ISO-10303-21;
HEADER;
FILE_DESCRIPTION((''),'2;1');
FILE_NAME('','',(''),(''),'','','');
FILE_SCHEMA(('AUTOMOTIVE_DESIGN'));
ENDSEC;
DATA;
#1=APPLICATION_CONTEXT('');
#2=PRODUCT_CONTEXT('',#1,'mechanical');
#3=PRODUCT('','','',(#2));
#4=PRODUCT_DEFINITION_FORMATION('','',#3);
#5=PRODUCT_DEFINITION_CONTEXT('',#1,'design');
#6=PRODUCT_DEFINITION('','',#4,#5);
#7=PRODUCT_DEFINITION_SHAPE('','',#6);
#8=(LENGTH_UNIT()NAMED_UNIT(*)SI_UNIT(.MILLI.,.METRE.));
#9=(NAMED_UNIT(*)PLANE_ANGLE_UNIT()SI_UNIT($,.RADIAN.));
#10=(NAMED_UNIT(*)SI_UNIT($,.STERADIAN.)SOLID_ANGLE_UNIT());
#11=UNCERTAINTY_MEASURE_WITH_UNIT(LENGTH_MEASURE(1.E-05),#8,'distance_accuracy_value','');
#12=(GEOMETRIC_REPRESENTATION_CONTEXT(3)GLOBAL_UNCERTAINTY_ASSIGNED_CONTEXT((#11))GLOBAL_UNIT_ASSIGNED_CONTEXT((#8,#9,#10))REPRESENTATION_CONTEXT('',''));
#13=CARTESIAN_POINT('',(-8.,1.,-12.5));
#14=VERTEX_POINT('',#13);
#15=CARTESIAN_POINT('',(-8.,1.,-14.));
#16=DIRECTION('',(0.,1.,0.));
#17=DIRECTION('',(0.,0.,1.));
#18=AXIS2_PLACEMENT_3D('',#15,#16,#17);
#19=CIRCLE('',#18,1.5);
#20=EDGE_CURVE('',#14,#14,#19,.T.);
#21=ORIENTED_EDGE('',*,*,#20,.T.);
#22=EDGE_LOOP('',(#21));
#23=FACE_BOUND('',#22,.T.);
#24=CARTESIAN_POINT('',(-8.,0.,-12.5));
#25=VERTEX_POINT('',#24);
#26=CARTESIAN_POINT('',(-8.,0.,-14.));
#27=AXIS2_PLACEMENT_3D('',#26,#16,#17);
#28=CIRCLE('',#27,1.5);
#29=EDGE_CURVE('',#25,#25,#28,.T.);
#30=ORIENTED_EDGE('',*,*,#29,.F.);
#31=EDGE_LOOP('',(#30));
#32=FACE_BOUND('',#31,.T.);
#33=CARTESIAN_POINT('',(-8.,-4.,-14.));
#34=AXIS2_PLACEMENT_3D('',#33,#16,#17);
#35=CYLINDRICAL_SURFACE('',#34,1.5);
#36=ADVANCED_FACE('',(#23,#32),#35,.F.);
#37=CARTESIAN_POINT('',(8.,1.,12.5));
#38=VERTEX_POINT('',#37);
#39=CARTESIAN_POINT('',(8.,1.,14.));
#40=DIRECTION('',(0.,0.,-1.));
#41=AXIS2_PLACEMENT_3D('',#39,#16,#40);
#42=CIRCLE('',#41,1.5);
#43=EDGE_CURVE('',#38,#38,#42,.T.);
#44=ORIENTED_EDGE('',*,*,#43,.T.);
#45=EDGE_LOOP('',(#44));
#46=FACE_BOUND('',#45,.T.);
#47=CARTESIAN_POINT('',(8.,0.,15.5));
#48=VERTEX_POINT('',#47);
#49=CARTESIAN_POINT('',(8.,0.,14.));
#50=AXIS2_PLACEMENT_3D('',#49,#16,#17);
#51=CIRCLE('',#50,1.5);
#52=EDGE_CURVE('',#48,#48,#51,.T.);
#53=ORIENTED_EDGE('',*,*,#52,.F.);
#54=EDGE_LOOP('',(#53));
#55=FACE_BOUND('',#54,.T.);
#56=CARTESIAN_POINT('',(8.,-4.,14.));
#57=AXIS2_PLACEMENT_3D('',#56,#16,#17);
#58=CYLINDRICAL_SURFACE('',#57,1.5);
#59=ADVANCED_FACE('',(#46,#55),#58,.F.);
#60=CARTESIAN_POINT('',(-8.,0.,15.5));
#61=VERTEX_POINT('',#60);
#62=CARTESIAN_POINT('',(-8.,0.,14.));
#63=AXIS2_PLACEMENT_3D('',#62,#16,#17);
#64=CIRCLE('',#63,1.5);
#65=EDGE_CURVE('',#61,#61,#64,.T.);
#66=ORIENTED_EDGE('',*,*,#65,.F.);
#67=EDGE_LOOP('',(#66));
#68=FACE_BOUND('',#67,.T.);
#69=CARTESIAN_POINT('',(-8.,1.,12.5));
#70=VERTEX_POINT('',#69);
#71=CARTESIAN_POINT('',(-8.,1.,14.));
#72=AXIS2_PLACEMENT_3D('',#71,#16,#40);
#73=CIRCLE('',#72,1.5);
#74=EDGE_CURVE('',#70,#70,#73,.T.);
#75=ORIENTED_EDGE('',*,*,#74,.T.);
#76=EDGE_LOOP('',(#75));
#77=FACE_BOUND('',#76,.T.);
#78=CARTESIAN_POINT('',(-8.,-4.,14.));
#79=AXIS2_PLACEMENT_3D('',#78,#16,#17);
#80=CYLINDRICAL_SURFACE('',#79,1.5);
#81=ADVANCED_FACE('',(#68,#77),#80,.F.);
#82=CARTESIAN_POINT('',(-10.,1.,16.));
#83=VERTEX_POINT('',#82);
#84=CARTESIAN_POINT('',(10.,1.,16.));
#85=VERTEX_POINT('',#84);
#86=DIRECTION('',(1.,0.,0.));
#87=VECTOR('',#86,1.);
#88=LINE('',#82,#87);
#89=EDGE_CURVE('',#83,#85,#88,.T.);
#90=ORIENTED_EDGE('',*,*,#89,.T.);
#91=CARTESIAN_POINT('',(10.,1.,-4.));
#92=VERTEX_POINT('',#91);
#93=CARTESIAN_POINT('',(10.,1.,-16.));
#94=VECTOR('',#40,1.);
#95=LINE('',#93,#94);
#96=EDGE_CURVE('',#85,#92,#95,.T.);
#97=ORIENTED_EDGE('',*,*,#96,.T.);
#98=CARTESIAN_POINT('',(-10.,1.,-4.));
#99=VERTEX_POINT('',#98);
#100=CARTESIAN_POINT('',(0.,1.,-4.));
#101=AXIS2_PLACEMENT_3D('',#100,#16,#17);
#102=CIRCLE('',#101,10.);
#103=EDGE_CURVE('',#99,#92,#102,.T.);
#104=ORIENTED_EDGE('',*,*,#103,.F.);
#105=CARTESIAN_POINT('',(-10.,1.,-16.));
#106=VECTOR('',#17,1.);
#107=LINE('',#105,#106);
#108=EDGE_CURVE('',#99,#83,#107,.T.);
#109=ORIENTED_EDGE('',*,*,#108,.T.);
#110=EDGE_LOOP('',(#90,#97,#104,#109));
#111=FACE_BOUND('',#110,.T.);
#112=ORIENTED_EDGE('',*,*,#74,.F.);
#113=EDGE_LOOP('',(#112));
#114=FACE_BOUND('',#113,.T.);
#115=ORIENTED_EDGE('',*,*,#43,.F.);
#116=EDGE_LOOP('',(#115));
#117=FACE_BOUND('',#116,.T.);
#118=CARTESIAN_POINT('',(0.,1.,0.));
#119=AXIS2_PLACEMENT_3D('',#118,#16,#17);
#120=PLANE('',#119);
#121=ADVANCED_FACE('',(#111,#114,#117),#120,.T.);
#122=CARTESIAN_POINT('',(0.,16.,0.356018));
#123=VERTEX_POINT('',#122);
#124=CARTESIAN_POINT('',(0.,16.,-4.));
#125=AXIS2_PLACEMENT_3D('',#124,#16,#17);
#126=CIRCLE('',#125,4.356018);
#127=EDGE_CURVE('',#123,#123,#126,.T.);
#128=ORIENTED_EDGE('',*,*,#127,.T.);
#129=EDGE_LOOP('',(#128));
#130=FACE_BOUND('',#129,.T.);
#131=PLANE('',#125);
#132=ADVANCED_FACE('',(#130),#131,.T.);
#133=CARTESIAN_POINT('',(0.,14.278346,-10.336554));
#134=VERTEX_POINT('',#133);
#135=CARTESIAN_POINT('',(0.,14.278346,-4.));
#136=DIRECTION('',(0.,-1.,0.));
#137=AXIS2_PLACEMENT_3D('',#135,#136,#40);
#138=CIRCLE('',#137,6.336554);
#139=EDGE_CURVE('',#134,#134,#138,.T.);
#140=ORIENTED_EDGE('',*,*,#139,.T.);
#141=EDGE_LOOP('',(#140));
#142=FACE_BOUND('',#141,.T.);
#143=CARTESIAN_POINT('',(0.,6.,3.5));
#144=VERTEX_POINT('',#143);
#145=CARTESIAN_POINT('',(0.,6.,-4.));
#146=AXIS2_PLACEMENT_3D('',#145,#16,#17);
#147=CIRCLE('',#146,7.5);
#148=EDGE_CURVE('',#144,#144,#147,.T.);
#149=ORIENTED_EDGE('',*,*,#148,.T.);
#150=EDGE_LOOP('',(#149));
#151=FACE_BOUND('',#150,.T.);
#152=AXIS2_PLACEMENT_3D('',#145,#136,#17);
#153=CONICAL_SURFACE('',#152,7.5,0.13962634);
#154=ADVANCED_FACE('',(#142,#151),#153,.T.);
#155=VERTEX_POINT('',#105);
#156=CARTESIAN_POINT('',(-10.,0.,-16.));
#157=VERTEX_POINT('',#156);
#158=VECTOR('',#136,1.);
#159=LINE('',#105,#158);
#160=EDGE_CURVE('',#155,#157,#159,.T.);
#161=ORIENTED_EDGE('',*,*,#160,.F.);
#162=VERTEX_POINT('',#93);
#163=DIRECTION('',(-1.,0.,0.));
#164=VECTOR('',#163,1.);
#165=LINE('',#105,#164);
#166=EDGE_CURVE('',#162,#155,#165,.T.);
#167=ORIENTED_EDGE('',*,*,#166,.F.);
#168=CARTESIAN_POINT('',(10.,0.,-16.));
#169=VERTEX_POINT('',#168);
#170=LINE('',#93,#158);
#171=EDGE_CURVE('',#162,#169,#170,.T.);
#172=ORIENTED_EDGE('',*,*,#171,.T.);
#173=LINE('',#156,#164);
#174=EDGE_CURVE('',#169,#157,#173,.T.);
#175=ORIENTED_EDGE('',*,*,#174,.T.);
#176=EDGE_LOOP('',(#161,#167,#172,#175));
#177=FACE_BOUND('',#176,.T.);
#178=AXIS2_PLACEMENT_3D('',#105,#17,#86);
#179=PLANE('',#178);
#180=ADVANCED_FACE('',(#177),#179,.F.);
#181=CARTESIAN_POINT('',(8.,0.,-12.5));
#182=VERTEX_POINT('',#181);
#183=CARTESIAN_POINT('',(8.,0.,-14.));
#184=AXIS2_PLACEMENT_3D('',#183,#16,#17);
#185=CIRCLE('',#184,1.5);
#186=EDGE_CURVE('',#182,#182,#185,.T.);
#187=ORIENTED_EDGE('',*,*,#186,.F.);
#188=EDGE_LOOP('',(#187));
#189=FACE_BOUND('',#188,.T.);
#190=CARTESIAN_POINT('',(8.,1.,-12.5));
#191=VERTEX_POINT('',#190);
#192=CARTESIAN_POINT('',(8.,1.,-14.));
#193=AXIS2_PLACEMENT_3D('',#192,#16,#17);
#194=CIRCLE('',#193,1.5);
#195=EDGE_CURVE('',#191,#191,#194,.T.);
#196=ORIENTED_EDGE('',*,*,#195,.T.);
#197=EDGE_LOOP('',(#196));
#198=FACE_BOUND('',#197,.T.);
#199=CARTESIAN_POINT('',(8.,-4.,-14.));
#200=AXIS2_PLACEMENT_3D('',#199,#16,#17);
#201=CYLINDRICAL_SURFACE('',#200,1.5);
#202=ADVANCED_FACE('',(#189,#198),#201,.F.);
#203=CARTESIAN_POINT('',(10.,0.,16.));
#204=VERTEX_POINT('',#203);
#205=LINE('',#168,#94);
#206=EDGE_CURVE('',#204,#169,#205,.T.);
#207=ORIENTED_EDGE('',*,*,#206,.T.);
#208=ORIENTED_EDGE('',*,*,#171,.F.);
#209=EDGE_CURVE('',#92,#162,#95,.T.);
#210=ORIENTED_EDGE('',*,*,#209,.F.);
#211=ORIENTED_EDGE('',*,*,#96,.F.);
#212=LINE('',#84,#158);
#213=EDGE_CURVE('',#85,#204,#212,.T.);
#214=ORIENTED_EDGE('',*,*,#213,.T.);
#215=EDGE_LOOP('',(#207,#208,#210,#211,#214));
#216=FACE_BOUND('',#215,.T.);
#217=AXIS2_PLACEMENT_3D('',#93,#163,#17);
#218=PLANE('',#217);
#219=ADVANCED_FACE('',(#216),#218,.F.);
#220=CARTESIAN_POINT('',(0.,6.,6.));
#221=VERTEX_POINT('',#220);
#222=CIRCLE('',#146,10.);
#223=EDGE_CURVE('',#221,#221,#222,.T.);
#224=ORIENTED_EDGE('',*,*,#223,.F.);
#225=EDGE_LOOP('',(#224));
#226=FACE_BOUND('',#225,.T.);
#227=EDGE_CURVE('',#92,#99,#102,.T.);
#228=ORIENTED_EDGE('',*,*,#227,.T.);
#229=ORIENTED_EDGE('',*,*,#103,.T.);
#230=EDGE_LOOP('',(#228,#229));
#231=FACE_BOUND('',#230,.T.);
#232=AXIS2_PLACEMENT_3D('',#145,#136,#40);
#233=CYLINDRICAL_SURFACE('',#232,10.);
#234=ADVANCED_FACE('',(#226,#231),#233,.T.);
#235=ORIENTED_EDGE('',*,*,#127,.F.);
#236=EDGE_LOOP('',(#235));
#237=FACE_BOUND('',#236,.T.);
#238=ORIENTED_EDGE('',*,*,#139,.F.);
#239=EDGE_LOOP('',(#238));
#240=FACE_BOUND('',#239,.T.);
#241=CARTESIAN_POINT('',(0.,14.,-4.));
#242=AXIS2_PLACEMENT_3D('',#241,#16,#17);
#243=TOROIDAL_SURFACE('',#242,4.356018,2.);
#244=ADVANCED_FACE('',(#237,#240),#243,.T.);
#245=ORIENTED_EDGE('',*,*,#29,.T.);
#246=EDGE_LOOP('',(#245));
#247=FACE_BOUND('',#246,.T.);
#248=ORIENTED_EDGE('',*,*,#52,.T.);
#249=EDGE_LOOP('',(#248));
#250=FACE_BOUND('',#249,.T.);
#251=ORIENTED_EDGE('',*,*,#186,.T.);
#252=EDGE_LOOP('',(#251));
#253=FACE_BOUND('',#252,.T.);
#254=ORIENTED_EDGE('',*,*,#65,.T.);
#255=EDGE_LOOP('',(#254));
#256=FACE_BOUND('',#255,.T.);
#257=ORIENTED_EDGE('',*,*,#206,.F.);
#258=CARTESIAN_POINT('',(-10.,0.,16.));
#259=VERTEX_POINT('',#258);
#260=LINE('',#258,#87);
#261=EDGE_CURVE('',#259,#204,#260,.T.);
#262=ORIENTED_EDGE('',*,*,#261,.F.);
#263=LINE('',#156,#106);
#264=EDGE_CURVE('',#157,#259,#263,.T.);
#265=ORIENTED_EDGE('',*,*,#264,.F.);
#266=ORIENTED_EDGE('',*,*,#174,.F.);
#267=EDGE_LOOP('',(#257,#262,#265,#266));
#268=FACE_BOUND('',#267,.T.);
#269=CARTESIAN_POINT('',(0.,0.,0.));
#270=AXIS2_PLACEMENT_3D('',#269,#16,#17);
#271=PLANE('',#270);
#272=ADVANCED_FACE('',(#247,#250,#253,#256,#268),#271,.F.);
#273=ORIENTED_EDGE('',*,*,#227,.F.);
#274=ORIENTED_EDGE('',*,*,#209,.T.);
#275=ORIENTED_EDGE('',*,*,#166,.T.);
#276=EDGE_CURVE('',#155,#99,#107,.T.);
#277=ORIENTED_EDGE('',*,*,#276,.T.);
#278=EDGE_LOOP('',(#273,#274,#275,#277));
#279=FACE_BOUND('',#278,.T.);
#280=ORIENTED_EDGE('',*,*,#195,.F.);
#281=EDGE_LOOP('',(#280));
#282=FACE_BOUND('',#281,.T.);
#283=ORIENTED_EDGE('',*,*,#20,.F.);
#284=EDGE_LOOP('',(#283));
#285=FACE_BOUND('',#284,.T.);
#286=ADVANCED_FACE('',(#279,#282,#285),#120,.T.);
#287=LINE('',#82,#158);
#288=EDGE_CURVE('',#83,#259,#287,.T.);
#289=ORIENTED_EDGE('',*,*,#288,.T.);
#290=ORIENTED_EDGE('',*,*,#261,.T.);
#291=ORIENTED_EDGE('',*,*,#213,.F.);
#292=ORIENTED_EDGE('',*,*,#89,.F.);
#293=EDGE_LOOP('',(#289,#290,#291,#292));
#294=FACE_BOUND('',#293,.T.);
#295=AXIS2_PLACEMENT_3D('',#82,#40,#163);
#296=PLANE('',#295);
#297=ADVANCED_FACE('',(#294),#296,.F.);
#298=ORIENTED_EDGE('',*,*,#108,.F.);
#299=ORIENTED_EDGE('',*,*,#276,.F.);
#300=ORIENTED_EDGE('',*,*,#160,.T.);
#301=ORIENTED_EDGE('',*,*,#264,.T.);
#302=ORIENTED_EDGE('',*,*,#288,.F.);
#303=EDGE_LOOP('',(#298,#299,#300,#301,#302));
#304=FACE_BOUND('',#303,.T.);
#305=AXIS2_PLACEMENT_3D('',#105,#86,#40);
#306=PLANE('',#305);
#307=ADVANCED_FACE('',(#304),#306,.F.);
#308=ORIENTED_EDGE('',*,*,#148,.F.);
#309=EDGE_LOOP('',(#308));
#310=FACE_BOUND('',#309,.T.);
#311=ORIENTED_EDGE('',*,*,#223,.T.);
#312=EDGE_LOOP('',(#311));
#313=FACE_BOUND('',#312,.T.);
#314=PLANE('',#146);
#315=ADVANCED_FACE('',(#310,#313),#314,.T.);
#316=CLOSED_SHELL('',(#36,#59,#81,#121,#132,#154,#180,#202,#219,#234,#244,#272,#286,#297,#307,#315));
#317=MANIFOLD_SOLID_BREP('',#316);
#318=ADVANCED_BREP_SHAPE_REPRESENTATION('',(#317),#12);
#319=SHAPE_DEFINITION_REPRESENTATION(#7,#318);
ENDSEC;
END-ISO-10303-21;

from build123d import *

# Parameters (mm, degrees)
SKETCH1_W           = 20
SKETCH1_H           = 32
BOSS_EXTRUDE1_DEPTH = 1
SKETCH2_R           = 10
BOSS_EXTRUDE2_DEPTH = 5
SKETCH3_R           = 1.5
CUT_EXTRUDE1_DEPTH  = 5
SKETCH4_R           = 7.5
BOSS_EXTRUDE3_DEPTH = 10
BOSS_EXTRUDE3_TAPER = 8
FILLET1_R           = 2


with BuildPart() as part:
    # Sketch1 → Boss-Extrude1 (new body)
    with BuildSketch(Plane(origin=(0, 0, 0), x_dir=(1, 0, 0), z_dir=(0, 1, 0))):
        Rectangle(SKETCH1_W, SKETCH1_H)
    extrude(amount=BOSS_EXTRUDE1_DEPTH)

    # Sketch2 → Boss-Extrude2 (add)
    with BuildSketch(Plane(origin=(0, 1, 0), x_dir=(1, 0, 0), z_dir=(0, 1, 0))):
        with Locations(Location((0, 4, 0), (0, 0, 180))):
            Circle(SKETCH2_R)
    extrude(amount=BOSS_EXTRUDE2_DEPTH)

    # Sketch3 → Cut-Extrude1 (cut)
    with BuildSketch(Plane(origin=(0, 1, 0), x_dir=(1, 0, 0), z_dir=(0, 1, 0))):
        with Locations(Location((8, 14, 0), (0, 0, 270))):
            Circle(SKETCH3_R)
        with Locations(Location((-8, 14, 0), (0, 0, 270))):
            Circle(SKETCH3_R)
        with Locations(Location((8, -14, 0), (0, 0, 270))):
            Circle(SKETCH3_R)
        with Locations(Location((-8, -14, 0), (0, 0, 270))):
            Circle(SKETCH3_R)
    extrude(amount=-CUT_EXTRUDE1_DEPTH, mode=Mode.SUBTRACT)

    # Sketch4 → Boss-Extrude3 (add)
    with BuildSketch(Plane(origin=(0, 6, 0), x_dir=(1, 0, 0), z_dir=(0, 1, 0))):
        with Locations((0, 4)):
            Circle(SKETCH4_R)
    extrude(amount=BOSS_EXTRUDE3_DEPTH, taper=BOSS_EXTRUDE3_TAPER)

    # Fillet1
    fillet1_edges = [part.edges().sort_by_distance(p)[0] for p in [
        (-6.094591653, 16, -4),
    ]]
    fillet(fillet1_edges, radius=FILLET1_R)


solid = part.part
